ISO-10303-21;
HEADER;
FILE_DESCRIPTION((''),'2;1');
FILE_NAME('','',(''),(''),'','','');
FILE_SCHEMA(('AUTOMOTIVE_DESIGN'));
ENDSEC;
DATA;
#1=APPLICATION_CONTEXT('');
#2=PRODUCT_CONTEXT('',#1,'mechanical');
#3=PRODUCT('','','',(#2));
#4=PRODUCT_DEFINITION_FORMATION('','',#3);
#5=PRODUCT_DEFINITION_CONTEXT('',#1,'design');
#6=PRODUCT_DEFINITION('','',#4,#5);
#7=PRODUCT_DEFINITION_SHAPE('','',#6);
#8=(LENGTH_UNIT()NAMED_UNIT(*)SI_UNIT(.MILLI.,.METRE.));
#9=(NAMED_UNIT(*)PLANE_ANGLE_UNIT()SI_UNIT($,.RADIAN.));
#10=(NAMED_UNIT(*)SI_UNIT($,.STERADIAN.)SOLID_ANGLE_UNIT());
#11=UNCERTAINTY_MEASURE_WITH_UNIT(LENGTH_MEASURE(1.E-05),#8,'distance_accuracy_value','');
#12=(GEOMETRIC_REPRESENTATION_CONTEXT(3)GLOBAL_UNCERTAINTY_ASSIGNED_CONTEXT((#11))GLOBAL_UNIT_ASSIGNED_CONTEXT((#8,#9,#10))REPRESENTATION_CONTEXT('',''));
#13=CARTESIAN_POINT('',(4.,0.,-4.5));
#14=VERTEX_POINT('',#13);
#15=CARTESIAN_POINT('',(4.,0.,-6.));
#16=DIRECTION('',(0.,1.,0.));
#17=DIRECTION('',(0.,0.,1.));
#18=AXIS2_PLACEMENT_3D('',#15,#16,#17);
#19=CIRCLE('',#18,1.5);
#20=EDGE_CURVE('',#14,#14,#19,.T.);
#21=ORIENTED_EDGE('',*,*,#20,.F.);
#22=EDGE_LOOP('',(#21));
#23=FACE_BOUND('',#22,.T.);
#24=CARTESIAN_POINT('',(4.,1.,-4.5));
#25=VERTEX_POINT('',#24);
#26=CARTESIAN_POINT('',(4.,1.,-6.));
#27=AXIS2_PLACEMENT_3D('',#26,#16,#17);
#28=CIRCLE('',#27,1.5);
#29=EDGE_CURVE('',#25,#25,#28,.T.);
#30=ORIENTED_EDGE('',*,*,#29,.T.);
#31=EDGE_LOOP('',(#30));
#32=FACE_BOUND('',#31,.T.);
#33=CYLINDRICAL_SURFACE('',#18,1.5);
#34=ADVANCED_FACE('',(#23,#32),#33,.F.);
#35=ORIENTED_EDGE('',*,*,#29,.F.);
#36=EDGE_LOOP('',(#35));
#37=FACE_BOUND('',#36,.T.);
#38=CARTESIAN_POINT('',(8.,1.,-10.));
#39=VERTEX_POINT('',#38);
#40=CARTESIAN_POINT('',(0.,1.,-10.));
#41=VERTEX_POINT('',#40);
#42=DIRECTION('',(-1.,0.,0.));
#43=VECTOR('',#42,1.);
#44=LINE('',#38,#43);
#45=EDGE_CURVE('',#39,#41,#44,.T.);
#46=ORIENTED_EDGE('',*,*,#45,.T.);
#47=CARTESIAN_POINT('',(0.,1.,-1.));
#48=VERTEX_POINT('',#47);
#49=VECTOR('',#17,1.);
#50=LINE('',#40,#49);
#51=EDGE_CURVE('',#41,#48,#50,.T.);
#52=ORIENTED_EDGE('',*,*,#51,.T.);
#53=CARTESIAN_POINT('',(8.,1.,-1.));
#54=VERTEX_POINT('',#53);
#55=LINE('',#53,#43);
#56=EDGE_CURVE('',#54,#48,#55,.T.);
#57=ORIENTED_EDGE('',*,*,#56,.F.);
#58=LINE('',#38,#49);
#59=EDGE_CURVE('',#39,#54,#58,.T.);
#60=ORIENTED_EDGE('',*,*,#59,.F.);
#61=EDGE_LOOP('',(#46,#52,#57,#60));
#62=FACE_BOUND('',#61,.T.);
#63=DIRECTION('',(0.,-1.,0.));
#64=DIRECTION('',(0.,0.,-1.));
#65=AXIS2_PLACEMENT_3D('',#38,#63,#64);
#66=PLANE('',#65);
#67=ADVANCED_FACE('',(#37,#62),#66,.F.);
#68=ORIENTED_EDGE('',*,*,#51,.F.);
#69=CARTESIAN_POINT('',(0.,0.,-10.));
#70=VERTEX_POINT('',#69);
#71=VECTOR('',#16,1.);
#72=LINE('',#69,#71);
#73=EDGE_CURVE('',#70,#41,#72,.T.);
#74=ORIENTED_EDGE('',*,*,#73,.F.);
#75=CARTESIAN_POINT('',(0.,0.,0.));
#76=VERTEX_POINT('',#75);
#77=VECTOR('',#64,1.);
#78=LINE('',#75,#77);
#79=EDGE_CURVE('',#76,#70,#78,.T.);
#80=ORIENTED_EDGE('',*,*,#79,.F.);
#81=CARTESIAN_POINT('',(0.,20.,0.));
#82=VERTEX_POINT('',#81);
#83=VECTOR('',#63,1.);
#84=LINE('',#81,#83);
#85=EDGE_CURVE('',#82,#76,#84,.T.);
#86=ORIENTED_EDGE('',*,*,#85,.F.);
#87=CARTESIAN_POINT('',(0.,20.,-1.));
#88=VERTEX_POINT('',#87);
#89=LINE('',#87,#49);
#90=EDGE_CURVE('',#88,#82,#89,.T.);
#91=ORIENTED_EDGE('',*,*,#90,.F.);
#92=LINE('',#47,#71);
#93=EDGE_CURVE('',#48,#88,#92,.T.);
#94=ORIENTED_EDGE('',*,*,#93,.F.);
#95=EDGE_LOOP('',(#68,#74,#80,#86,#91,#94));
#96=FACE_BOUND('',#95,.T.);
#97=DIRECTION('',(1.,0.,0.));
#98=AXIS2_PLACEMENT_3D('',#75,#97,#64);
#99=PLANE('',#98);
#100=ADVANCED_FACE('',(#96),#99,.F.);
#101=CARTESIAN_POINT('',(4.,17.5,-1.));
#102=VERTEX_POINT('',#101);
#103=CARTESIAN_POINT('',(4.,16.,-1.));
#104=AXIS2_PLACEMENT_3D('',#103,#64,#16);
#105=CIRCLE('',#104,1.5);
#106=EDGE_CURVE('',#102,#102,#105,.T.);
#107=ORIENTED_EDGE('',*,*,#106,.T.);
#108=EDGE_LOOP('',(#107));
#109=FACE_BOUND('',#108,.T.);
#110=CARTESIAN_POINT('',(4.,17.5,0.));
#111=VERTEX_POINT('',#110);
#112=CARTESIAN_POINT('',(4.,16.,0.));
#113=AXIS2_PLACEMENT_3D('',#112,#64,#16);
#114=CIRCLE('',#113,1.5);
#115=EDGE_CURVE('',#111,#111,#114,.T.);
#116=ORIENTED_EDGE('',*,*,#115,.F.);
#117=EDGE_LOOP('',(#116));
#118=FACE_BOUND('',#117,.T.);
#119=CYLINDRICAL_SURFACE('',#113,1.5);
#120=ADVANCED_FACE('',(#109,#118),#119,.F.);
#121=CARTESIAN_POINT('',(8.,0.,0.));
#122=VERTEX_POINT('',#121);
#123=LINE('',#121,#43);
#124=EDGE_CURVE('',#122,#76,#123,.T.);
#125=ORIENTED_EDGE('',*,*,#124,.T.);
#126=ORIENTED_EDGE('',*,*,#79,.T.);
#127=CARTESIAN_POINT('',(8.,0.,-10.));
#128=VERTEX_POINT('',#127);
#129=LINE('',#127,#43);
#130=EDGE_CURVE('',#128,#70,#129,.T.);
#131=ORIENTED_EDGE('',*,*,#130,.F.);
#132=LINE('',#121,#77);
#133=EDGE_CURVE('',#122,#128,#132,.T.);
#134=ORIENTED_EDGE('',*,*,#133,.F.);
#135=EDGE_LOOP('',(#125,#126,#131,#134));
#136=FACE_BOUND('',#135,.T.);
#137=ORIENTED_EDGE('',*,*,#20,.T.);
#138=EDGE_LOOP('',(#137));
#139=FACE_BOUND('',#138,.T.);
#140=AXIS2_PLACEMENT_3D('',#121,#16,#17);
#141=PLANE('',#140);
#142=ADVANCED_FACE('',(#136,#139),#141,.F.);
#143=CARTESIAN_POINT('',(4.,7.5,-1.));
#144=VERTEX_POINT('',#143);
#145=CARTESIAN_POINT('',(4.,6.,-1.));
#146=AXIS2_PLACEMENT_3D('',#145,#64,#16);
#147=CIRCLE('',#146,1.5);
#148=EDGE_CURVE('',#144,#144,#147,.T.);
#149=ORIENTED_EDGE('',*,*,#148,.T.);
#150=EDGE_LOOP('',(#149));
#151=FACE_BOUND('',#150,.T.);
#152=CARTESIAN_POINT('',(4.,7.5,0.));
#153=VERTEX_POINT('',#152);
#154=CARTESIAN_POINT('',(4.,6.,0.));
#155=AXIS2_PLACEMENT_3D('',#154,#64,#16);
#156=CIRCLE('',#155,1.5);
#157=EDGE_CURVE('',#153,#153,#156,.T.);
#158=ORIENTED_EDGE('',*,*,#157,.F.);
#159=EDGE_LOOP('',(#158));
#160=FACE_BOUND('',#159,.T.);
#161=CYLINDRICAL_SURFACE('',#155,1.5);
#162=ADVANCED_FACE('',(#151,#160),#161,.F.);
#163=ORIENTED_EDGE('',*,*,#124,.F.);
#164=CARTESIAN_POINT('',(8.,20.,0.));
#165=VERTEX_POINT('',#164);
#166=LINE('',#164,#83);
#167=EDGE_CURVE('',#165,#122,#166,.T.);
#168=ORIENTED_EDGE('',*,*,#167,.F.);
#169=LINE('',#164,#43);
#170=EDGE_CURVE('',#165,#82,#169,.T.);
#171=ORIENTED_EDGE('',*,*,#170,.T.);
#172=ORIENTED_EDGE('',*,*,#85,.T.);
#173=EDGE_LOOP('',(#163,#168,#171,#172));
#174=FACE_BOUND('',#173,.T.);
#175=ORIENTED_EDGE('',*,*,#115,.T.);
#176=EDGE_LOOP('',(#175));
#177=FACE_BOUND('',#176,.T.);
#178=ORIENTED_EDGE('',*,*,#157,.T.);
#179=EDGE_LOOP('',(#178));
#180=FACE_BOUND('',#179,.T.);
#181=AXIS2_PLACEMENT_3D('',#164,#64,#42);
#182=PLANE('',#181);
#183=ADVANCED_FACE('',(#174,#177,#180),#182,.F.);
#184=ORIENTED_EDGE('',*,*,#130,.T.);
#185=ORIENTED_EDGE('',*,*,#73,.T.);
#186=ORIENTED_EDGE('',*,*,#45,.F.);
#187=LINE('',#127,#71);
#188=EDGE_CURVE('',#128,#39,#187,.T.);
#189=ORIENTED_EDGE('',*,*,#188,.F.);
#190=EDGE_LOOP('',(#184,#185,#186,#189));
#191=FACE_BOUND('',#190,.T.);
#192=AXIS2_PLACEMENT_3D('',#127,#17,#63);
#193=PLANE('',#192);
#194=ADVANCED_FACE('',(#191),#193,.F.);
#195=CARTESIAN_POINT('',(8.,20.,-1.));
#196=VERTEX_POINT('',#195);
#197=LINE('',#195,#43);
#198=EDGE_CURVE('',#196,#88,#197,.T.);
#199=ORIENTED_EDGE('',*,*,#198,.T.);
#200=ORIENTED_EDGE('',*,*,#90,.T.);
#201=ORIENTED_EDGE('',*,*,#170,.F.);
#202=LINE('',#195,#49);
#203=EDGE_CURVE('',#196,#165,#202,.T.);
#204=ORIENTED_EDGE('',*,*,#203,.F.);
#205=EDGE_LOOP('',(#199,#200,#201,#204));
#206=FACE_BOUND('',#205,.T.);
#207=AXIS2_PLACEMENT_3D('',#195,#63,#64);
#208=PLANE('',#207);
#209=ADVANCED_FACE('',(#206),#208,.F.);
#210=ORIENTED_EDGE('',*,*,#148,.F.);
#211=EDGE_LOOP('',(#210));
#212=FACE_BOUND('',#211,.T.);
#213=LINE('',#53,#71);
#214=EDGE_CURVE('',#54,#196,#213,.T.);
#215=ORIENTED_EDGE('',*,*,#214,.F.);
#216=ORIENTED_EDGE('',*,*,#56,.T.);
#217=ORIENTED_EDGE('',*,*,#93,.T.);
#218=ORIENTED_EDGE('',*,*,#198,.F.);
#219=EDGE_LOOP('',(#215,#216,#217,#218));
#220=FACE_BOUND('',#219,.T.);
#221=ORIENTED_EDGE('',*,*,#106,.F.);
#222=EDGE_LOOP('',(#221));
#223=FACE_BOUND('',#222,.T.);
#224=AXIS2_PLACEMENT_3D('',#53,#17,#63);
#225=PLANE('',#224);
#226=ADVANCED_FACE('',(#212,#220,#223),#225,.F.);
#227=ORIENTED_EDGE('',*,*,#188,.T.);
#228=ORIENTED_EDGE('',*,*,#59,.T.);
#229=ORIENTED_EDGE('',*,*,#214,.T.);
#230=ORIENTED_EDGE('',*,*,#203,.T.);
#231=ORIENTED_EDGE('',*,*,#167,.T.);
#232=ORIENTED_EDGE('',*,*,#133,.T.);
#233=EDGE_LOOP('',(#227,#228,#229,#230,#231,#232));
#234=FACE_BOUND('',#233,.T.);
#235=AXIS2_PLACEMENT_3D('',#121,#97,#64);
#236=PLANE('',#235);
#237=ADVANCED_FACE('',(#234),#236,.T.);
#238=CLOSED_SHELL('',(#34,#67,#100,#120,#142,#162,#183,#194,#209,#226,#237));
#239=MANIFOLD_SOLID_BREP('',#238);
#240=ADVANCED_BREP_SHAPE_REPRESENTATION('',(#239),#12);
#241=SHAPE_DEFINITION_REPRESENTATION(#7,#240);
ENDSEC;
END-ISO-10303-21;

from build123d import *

# Parameters (mm, degrees)
EXTRUDE_1_DEPTH     = 8
SKETCH_2_R          = 1.5
CUT_EXTRUDE_1_DEPTH = 23.912878475
SKETCH_3_R          = 1.5
CUT_EXTRUDE_2_DEPTH = 24.34523506


with BuildPart() as part:
    # 草图1 → 凸台-拉伸1 (new body)
    with BuildSketch(Plane(origin=(0, 0, 0), x_dir=(0, 0, -1), z_dir=(1, 0, 0))):
        Polygon((0, 0), (10, 0), (10, 1), (1, 1), (1, 20), (0, 20), align=None)
    extrude(amount=EXTRUDE_1_DEPTH)

    # 草图2 → 切除-拉伸1 (cut, through all)
    with BuildSketch(Plane(origin=(0, 1, 0), x_dir=(1, 0, 0), z_dir=(0, 1, 0))):
        with Locations(Location((4, 6, 0), (0, 0, 270))):
            Circle(SKETCH_2_R)
    extrude(amount=-CUT_EXTRUDE_1_DEPTH, mode=Mode.SUBTRACT)

    # 草图3 → 切除-拉伸2 (cut, through all)
    with BuildSketch(Plane(origin=(0, 0, -1), x_dir=(-1, 0, 0), z_dir=(0, 0, -1))):
        with Locations(Location((-4, 16, 0), (0, 0, 90))):
            Circle(SKETCH_3_R)
        with Locations(Location((-4, 6, 0), (0, 0, 90))):
            Circle(SKETCH_3_R)
    extrude(amount=-CUT_EXTRUDE_2_DEPTH, mode=Mode.SUBTRACT)


solid = part.part
